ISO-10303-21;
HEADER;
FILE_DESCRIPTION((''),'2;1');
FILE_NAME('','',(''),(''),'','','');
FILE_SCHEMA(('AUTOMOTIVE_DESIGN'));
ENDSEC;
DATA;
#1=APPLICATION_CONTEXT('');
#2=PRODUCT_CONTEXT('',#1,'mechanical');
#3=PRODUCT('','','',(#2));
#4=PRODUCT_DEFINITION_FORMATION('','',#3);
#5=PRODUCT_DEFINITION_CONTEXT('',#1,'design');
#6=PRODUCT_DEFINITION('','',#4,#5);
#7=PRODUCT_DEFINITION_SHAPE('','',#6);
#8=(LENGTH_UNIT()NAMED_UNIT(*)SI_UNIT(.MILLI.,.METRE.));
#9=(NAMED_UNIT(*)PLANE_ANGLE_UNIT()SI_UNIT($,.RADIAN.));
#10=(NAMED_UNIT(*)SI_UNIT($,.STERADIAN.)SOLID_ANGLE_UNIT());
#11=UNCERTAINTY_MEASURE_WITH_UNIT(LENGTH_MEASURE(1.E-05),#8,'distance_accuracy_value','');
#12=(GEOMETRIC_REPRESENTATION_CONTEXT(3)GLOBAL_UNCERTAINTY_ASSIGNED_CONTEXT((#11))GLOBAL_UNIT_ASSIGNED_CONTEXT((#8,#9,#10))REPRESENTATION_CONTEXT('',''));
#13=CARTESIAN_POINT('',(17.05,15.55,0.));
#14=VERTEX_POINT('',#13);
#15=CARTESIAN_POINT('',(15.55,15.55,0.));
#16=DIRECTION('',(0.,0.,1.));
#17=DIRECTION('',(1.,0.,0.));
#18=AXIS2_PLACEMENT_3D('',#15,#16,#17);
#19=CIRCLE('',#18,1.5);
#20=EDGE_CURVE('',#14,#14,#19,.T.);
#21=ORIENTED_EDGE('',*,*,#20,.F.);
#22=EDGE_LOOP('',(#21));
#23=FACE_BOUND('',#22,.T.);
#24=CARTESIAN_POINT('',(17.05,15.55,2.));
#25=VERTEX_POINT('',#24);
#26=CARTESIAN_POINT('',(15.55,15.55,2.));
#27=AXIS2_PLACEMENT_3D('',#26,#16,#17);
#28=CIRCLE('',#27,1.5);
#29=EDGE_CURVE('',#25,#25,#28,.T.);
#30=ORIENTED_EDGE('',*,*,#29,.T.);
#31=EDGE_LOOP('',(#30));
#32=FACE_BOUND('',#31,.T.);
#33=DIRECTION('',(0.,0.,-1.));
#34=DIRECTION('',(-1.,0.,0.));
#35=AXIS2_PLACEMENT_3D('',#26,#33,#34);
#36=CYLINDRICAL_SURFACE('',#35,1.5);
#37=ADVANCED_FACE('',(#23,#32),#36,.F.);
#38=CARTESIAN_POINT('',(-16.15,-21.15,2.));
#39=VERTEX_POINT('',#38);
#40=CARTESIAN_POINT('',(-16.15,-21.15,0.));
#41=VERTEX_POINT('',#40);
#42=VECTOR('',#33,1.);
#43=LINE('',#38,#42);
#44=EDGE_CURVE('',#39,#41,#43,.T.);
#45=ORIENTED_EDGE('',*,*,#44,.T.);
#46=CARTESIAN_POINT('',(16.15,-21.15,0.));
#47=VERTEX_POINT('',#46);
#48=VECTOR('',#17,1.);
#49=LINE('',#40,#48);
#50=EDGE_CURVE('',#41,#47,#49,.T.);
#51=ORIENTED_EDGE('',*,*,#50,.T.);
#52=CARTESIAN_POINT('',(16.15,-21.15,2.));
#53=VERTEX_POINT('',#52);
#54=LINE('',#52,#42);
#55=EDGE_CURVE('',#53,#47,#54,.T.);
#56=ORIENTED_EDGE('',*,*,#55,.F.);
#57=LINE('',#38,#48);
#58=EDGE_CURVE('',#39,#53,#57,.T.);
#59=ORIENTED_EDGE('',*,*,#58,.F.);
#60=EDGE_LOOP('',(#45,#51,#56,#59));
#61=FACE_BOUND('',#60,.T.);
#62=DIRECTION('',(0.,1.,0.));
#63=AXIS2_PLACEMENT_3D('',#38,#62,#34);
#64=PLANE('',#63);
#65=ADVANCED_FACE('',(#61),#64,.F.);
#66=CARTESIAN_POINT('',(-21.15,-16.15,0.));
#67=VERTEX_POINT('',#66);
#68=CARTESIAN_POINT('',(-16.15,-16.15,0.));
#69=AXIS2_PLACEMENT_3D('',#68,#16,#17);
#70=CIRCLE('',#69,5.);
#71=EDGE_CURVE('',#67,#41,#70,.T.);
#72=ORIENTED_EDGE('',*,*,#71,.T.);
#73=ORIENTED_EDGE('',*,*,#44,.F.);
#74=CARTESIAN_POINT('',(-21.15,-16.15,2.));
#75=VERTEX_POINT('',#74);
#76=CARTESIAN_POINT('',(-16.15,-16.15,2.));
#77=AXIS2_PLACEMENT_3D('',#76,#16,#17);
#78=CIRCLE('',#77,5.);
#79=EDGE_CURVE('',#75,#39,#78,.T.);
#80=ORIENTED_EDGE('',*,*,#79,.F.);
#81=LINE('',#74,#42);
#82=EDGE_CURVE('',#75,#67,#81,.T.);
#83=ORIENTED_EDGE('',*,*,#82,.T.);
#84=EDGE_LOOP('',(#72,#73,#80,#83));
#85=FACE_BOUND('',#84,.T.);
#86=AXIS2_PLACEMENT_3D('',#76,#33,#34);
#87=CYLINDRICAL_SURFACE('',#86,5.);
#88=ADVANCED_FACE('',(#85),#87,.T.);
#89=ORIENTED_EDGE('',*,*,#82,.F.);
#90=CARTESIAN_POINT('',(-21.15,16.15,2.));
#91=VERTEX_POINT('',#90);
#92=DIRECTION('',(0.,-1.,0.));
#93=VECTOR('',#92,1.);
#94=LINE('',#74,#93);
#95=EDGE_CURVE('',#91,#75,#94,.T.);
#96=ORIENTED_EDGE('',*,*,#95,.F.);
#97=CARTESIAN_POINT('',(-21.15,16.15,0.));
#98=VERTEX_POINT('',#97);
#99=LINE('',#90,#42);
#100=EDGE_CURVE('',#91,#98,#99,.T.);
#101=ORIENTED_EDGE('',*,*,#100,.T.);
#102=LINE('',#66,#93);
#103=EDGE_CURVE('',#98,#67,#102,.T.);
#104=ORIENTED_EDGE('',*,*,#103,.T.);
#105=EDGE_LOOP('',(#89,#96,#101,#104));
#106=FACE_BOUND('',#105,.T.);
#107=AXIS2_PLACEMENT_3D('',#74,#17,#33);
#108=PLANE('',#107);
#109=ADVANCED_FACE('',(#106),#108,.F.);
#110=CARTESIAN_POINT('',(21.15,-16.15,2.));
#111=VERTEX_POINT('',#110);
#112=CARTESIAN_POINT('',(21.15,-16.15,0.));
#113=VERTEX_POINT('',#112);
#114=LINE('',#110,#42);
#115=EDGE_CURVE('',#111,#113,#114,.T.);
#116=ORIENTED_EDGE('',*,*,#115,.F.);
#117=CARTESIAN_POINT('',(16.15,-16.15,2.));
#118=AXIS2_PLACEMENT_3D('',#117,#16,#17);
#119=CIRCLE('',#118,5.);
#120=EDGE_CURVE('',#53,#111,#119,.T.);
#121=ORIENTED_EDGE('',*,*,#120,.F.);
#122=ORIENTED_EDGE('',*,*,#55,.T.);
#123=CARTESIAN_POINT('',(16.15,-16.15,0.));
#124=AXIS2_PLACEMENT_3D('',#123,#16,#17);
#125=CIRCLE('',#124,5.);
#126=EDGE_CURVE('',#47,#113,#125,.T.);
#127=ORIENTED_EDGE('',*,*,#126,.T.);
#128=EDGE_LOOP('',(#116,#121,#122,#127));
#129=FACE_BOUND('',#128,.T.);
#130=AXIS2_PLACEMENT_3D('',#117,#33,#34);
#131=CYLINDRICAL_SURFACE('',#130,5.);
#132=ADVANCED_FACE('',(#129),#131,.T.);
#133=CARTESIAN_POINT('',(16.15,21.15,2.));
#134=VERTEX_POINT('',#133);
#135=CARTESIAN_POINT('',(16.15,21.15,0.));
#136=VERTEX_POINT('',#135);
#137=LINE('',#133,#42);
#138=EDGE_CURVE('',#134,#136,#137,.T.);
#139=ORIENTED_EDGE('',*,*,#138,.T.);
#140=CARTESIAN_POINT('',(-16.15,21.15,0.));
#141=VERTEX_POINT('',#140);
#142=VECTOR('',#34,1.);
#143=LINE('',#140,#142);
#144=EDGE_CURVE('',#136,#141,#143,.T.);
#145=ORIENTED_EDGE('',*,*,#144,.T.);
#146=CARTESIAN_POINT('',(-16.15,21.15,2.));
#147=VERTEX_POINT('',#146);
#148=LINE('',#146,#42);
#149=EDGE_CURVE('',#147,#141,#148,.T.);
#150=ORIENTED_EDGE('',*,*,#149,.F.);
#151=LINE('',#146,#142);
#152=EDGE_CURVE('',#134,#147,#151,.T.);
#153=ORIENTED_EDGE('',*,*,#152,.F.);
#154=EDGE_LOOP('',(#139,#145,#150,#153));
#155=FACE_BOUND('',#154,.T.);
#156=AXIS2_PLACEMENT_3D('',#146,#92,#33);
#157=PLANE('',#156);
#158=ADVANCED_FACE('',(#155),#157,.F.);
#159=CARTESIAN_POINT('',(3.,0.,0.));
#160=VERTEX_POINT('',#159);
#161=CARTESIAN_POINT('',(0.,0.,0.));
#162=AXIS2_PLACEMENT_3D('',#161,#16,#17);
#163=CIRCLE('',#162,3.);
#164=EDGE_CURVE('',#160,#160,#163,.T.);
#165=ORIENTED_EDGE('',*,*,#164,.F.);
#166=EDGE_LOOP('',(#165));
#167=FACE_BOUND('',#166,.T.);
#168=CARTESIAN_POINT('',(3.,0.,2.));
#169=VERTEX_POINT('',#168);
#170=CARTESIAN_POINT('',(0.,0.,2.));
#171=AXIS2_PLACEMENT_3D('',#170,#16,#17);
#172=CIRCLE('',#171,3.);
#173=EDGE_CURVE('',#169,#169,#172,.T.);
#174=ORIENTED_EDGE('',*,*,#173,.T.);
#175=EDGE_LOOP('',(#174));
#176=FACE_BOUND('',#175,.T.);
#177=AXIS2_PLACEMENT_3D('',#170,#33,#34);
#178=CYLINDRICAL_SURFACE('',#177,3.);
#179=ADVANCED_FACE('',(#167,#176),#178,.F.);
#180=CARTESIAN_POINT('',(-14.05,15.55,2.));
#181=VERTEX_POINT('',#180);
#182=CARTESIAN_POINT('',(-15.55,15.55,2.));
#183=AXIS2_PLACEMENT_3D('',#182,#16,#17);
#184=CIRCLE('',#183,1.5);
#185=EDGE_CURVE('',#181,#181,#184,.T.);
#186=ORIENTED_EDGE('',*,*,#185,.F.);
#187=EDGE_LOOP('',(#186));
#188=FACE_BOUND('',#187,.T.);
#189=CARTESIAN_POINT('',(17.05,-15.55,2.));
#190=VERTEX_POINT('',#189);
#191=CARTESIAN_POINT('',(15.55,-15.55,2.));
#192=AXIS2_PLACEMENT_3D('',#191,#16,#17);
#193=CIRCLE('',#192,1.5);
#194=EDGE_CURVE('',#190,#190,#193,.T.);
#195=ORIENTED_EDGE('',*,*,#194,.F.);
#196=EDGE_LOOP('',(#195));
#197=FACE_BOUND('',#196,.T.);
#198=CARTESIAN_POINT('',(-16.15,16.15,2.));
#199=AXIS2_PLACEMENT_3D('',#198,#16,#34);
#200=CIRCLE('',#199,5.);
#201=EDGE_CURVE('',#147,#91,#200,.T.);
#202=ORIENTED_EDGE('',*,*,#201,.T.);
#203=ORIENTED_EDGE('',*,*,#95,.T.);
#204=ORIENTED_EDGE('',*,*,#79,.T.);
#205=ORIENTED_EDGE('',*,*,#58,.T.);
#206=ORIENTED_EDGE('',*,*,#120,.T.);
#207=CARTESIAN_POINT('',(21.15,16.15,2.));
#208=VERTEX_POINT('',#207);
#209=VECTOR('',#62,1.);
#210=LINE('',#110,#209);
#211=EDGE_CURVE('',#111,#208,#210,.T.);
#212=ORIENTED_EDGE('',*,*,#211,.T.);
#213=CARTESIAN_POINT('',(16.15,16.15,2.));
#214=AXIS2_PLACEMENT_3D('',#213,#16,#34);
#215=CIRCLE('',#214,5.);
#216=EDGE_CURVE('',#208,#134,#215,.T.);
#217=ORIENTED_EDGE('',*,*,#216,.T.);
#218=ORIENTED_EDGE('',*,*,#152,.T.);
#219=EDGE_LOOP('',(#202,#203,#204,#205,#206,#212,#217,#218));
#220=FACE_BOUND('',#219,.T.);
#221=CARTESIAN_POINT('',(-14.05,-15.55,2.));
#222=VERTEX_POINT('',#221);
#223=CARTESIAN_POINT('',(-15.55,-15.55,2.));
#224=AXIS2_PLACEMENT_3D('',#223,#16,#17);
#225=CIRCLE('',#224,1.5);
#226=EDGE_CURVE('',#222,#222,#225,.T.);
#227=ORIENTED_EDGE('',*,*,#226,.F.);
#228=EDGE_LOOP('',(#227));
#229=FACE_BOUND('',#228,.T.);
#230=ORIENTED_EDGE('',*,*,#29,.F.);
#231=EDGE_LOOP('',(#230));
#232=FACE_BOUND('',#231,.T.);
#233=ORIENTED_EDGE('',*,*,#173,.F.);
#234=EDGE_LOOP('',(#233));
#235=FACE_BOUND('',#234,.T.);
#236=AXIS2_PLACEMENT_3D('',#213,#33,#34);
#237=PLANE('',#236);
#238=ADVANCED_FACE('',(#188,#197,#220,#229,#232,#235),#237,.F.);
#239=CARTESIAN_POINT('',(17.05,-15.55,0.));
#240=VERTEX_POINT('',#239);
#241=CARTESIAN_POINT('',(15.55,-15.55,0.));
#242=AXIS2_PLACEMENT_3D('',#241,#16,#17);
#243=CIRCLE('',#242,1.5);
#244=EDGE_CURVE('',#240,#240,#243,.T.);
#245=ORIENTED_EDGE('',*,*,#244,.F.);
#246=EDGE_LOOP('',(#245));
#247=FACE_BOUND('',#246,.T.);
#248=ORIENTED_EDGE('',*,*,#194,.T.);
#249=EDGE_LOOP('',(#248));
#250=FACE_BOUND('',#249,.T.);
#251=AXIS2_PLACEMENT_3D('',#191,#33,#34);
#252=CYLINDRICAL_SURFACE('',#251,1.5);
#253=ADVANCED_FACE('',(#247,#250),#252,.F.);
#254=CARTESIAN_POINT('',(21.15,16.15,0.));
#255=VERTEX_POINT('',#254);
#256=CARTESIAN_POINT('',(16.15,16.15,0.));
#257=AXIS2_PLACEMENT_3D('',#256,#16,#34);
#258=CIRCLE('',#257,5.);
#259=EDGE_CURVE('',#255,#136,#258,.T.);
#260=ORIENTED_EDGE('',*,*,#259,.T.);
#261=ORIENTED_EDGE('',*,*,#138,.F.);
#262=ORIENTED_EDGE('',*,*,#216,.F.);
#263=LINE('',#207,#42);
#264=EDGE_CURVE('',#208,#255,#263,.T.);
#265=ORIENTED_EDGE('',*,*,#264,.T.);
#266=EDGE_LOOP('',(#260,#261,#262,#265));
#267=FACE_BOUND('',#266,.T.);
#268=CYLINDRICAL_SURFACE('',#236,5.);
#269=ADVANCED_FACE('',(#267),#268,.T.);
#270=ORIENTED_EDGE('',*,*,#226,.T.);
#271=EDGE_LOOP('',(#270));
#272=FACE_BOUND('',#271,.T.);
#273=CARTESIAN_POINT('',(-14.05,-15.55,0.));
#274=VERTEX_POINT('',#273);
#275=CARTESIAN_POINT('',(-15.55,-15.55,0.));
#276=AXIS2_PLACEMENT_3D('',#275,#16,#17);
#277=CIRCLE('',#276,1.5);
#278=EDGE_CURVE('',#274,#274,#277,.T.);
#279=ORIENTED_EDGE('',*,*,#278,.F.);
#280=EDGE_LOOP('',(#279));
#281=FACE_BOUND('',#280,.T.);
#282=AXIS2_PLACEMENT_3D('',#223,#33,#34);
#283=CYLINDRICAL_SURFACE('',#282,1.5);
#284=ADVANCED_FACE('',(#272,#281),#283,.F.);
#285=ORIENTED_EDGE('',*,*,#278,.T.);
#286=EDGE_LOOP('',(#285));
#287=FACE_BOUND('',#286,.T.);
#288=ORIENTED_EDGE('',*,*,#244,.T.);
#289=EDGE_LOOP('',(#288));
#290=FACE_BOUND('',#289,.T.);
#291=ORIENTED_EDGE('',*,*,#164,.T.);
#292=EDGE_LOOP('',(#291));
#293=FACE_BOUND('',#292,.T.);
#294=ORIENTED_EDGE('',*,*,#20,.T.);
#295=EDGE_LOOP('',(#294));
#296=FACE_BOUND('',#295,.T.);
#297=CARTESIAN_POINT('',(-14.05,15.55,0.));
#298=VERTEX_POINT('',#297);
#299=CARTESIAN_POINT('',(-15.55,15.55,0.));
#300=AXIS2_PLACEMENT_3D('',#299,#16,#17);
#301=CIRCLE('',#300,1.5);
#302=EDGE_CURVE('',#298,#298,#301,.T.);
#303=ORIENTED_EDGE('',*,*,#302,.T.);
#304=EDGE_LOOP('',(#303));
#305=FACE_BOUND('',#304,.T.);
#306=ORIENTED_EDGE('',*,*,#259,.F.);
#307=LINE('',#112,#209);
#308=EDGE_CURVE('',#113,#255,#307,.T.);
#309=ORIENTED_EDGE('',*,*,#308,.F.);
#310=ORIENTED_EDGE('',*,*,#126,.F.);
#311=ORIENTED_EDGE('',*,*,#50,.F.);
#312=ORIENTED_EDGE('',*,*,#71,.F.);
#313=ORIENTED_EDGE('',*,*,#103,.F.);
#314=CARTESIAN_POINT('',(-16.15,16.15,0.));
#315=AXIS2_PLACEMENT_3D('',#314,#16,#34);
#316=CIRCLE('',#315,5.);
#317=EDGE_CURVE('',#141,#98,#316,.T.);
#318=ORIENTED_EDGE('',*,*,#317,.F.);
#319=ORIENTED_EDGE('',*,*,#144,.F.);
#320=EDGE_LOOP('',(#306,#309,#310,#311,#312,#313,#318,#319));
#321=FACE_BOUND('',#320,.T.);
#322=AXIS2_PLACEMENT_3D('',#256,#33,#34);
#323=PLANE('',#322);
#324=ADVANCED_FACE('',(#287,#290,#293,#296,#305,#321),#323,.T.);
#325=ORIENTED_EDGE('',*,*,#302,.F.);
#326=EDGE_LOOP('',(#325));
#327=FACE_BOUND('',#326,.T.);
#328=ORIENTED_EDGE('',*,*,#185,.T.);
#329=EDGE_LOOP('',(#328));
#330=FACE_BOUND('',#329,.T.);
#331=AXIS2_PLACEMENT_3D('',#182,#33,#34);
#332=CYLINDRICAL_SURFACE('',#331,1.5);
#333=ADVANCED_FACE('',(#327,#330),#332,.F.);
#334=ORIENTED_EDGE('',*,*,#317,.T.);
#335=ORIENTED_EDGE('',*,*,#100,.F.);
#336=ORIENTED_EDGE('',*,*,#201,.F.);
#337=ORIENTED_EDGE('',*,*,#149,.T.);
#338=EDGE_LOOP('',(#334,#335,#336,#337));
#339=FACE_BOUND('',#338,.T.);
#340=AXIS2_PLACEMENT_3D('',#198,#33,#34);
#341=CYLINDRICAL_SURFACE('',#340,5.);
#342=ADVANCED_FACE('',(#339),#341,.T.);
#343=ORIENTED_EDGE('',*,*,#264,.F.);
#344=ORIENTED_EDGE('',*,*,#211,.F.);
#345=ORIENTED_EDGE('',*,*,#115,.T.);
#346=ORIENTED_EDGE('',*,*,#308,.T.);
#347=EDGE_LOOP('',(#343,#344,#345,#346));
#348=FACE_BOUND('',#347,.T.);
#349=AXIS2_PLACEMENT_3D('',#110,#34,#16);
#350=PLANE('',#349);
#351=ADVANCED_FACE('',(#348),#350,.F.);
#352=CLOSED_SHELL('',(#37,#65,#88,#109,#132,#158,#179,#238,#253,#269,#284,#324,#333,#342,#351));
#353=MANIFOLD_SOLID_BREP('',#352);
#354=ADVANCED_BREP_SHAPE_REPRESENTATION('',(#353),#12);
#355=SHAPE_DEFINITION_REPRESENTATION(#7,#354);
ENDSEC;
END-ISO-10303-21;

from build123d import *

# Parameters (mm, degrees)
SKETCH1_R           = 1.5
SKETCH1_R_2         = 3
BOSS_EXTRUDE1_DEPTH = 2


with BuildPart() as part:
    # Sketch1 → Boss-Extrude1 (new body)
    with BuildSketch(Plane.XY):
        with BuildLine():
            Line((-16.15, -21.15), (16.15, -21.15))
            ThreePointArc((16.15, -21.15), (19.685533906, -19.685533906), (21.15, -16.15))
            Line((21.15, -16.15), (21.15, 16.15))
            ThreePointArc((21.15, 16.15), (19.685533906, 19.685533906), (16.15, 21.15))
            Line((16.15, 21.15), (-16.15, 21.15))
            ThreePointArc((-16.15, 21.15), (-19.685533906, 19.685533906), (-21.15, 16.15))
            Line((-21.15, 16.15), (-21.15, -16.15))
            ThreePointArc((-21.15, -16.15), (-19.685533906, -19.685533906), (-16.15, -21.15))
        make_face()
        with Locations((-15.55, 15.55)):
            Circle(SKETCH1_R, mode=Mode.SUBTRACT)
        with Locations((15.55, 15.55)):
            Circle(SKETCH1_R, mode=Mode.SUBTRACT)
        with Locations((15.55, -15.55)):
            Circle(SKETCH1_R, mode=Mode.SUBTRACT)
        with Locations((-15.55, -15.55)):
            Circle(SKETCH1_R, mode=Mode.SUBTRACT)
        Circle(SKETCH1_R_2, mode=Mode.SUBTRACT)
    extrude(amount=BOSS_EXTRUDE1_DEPTH)


solid = part.part
